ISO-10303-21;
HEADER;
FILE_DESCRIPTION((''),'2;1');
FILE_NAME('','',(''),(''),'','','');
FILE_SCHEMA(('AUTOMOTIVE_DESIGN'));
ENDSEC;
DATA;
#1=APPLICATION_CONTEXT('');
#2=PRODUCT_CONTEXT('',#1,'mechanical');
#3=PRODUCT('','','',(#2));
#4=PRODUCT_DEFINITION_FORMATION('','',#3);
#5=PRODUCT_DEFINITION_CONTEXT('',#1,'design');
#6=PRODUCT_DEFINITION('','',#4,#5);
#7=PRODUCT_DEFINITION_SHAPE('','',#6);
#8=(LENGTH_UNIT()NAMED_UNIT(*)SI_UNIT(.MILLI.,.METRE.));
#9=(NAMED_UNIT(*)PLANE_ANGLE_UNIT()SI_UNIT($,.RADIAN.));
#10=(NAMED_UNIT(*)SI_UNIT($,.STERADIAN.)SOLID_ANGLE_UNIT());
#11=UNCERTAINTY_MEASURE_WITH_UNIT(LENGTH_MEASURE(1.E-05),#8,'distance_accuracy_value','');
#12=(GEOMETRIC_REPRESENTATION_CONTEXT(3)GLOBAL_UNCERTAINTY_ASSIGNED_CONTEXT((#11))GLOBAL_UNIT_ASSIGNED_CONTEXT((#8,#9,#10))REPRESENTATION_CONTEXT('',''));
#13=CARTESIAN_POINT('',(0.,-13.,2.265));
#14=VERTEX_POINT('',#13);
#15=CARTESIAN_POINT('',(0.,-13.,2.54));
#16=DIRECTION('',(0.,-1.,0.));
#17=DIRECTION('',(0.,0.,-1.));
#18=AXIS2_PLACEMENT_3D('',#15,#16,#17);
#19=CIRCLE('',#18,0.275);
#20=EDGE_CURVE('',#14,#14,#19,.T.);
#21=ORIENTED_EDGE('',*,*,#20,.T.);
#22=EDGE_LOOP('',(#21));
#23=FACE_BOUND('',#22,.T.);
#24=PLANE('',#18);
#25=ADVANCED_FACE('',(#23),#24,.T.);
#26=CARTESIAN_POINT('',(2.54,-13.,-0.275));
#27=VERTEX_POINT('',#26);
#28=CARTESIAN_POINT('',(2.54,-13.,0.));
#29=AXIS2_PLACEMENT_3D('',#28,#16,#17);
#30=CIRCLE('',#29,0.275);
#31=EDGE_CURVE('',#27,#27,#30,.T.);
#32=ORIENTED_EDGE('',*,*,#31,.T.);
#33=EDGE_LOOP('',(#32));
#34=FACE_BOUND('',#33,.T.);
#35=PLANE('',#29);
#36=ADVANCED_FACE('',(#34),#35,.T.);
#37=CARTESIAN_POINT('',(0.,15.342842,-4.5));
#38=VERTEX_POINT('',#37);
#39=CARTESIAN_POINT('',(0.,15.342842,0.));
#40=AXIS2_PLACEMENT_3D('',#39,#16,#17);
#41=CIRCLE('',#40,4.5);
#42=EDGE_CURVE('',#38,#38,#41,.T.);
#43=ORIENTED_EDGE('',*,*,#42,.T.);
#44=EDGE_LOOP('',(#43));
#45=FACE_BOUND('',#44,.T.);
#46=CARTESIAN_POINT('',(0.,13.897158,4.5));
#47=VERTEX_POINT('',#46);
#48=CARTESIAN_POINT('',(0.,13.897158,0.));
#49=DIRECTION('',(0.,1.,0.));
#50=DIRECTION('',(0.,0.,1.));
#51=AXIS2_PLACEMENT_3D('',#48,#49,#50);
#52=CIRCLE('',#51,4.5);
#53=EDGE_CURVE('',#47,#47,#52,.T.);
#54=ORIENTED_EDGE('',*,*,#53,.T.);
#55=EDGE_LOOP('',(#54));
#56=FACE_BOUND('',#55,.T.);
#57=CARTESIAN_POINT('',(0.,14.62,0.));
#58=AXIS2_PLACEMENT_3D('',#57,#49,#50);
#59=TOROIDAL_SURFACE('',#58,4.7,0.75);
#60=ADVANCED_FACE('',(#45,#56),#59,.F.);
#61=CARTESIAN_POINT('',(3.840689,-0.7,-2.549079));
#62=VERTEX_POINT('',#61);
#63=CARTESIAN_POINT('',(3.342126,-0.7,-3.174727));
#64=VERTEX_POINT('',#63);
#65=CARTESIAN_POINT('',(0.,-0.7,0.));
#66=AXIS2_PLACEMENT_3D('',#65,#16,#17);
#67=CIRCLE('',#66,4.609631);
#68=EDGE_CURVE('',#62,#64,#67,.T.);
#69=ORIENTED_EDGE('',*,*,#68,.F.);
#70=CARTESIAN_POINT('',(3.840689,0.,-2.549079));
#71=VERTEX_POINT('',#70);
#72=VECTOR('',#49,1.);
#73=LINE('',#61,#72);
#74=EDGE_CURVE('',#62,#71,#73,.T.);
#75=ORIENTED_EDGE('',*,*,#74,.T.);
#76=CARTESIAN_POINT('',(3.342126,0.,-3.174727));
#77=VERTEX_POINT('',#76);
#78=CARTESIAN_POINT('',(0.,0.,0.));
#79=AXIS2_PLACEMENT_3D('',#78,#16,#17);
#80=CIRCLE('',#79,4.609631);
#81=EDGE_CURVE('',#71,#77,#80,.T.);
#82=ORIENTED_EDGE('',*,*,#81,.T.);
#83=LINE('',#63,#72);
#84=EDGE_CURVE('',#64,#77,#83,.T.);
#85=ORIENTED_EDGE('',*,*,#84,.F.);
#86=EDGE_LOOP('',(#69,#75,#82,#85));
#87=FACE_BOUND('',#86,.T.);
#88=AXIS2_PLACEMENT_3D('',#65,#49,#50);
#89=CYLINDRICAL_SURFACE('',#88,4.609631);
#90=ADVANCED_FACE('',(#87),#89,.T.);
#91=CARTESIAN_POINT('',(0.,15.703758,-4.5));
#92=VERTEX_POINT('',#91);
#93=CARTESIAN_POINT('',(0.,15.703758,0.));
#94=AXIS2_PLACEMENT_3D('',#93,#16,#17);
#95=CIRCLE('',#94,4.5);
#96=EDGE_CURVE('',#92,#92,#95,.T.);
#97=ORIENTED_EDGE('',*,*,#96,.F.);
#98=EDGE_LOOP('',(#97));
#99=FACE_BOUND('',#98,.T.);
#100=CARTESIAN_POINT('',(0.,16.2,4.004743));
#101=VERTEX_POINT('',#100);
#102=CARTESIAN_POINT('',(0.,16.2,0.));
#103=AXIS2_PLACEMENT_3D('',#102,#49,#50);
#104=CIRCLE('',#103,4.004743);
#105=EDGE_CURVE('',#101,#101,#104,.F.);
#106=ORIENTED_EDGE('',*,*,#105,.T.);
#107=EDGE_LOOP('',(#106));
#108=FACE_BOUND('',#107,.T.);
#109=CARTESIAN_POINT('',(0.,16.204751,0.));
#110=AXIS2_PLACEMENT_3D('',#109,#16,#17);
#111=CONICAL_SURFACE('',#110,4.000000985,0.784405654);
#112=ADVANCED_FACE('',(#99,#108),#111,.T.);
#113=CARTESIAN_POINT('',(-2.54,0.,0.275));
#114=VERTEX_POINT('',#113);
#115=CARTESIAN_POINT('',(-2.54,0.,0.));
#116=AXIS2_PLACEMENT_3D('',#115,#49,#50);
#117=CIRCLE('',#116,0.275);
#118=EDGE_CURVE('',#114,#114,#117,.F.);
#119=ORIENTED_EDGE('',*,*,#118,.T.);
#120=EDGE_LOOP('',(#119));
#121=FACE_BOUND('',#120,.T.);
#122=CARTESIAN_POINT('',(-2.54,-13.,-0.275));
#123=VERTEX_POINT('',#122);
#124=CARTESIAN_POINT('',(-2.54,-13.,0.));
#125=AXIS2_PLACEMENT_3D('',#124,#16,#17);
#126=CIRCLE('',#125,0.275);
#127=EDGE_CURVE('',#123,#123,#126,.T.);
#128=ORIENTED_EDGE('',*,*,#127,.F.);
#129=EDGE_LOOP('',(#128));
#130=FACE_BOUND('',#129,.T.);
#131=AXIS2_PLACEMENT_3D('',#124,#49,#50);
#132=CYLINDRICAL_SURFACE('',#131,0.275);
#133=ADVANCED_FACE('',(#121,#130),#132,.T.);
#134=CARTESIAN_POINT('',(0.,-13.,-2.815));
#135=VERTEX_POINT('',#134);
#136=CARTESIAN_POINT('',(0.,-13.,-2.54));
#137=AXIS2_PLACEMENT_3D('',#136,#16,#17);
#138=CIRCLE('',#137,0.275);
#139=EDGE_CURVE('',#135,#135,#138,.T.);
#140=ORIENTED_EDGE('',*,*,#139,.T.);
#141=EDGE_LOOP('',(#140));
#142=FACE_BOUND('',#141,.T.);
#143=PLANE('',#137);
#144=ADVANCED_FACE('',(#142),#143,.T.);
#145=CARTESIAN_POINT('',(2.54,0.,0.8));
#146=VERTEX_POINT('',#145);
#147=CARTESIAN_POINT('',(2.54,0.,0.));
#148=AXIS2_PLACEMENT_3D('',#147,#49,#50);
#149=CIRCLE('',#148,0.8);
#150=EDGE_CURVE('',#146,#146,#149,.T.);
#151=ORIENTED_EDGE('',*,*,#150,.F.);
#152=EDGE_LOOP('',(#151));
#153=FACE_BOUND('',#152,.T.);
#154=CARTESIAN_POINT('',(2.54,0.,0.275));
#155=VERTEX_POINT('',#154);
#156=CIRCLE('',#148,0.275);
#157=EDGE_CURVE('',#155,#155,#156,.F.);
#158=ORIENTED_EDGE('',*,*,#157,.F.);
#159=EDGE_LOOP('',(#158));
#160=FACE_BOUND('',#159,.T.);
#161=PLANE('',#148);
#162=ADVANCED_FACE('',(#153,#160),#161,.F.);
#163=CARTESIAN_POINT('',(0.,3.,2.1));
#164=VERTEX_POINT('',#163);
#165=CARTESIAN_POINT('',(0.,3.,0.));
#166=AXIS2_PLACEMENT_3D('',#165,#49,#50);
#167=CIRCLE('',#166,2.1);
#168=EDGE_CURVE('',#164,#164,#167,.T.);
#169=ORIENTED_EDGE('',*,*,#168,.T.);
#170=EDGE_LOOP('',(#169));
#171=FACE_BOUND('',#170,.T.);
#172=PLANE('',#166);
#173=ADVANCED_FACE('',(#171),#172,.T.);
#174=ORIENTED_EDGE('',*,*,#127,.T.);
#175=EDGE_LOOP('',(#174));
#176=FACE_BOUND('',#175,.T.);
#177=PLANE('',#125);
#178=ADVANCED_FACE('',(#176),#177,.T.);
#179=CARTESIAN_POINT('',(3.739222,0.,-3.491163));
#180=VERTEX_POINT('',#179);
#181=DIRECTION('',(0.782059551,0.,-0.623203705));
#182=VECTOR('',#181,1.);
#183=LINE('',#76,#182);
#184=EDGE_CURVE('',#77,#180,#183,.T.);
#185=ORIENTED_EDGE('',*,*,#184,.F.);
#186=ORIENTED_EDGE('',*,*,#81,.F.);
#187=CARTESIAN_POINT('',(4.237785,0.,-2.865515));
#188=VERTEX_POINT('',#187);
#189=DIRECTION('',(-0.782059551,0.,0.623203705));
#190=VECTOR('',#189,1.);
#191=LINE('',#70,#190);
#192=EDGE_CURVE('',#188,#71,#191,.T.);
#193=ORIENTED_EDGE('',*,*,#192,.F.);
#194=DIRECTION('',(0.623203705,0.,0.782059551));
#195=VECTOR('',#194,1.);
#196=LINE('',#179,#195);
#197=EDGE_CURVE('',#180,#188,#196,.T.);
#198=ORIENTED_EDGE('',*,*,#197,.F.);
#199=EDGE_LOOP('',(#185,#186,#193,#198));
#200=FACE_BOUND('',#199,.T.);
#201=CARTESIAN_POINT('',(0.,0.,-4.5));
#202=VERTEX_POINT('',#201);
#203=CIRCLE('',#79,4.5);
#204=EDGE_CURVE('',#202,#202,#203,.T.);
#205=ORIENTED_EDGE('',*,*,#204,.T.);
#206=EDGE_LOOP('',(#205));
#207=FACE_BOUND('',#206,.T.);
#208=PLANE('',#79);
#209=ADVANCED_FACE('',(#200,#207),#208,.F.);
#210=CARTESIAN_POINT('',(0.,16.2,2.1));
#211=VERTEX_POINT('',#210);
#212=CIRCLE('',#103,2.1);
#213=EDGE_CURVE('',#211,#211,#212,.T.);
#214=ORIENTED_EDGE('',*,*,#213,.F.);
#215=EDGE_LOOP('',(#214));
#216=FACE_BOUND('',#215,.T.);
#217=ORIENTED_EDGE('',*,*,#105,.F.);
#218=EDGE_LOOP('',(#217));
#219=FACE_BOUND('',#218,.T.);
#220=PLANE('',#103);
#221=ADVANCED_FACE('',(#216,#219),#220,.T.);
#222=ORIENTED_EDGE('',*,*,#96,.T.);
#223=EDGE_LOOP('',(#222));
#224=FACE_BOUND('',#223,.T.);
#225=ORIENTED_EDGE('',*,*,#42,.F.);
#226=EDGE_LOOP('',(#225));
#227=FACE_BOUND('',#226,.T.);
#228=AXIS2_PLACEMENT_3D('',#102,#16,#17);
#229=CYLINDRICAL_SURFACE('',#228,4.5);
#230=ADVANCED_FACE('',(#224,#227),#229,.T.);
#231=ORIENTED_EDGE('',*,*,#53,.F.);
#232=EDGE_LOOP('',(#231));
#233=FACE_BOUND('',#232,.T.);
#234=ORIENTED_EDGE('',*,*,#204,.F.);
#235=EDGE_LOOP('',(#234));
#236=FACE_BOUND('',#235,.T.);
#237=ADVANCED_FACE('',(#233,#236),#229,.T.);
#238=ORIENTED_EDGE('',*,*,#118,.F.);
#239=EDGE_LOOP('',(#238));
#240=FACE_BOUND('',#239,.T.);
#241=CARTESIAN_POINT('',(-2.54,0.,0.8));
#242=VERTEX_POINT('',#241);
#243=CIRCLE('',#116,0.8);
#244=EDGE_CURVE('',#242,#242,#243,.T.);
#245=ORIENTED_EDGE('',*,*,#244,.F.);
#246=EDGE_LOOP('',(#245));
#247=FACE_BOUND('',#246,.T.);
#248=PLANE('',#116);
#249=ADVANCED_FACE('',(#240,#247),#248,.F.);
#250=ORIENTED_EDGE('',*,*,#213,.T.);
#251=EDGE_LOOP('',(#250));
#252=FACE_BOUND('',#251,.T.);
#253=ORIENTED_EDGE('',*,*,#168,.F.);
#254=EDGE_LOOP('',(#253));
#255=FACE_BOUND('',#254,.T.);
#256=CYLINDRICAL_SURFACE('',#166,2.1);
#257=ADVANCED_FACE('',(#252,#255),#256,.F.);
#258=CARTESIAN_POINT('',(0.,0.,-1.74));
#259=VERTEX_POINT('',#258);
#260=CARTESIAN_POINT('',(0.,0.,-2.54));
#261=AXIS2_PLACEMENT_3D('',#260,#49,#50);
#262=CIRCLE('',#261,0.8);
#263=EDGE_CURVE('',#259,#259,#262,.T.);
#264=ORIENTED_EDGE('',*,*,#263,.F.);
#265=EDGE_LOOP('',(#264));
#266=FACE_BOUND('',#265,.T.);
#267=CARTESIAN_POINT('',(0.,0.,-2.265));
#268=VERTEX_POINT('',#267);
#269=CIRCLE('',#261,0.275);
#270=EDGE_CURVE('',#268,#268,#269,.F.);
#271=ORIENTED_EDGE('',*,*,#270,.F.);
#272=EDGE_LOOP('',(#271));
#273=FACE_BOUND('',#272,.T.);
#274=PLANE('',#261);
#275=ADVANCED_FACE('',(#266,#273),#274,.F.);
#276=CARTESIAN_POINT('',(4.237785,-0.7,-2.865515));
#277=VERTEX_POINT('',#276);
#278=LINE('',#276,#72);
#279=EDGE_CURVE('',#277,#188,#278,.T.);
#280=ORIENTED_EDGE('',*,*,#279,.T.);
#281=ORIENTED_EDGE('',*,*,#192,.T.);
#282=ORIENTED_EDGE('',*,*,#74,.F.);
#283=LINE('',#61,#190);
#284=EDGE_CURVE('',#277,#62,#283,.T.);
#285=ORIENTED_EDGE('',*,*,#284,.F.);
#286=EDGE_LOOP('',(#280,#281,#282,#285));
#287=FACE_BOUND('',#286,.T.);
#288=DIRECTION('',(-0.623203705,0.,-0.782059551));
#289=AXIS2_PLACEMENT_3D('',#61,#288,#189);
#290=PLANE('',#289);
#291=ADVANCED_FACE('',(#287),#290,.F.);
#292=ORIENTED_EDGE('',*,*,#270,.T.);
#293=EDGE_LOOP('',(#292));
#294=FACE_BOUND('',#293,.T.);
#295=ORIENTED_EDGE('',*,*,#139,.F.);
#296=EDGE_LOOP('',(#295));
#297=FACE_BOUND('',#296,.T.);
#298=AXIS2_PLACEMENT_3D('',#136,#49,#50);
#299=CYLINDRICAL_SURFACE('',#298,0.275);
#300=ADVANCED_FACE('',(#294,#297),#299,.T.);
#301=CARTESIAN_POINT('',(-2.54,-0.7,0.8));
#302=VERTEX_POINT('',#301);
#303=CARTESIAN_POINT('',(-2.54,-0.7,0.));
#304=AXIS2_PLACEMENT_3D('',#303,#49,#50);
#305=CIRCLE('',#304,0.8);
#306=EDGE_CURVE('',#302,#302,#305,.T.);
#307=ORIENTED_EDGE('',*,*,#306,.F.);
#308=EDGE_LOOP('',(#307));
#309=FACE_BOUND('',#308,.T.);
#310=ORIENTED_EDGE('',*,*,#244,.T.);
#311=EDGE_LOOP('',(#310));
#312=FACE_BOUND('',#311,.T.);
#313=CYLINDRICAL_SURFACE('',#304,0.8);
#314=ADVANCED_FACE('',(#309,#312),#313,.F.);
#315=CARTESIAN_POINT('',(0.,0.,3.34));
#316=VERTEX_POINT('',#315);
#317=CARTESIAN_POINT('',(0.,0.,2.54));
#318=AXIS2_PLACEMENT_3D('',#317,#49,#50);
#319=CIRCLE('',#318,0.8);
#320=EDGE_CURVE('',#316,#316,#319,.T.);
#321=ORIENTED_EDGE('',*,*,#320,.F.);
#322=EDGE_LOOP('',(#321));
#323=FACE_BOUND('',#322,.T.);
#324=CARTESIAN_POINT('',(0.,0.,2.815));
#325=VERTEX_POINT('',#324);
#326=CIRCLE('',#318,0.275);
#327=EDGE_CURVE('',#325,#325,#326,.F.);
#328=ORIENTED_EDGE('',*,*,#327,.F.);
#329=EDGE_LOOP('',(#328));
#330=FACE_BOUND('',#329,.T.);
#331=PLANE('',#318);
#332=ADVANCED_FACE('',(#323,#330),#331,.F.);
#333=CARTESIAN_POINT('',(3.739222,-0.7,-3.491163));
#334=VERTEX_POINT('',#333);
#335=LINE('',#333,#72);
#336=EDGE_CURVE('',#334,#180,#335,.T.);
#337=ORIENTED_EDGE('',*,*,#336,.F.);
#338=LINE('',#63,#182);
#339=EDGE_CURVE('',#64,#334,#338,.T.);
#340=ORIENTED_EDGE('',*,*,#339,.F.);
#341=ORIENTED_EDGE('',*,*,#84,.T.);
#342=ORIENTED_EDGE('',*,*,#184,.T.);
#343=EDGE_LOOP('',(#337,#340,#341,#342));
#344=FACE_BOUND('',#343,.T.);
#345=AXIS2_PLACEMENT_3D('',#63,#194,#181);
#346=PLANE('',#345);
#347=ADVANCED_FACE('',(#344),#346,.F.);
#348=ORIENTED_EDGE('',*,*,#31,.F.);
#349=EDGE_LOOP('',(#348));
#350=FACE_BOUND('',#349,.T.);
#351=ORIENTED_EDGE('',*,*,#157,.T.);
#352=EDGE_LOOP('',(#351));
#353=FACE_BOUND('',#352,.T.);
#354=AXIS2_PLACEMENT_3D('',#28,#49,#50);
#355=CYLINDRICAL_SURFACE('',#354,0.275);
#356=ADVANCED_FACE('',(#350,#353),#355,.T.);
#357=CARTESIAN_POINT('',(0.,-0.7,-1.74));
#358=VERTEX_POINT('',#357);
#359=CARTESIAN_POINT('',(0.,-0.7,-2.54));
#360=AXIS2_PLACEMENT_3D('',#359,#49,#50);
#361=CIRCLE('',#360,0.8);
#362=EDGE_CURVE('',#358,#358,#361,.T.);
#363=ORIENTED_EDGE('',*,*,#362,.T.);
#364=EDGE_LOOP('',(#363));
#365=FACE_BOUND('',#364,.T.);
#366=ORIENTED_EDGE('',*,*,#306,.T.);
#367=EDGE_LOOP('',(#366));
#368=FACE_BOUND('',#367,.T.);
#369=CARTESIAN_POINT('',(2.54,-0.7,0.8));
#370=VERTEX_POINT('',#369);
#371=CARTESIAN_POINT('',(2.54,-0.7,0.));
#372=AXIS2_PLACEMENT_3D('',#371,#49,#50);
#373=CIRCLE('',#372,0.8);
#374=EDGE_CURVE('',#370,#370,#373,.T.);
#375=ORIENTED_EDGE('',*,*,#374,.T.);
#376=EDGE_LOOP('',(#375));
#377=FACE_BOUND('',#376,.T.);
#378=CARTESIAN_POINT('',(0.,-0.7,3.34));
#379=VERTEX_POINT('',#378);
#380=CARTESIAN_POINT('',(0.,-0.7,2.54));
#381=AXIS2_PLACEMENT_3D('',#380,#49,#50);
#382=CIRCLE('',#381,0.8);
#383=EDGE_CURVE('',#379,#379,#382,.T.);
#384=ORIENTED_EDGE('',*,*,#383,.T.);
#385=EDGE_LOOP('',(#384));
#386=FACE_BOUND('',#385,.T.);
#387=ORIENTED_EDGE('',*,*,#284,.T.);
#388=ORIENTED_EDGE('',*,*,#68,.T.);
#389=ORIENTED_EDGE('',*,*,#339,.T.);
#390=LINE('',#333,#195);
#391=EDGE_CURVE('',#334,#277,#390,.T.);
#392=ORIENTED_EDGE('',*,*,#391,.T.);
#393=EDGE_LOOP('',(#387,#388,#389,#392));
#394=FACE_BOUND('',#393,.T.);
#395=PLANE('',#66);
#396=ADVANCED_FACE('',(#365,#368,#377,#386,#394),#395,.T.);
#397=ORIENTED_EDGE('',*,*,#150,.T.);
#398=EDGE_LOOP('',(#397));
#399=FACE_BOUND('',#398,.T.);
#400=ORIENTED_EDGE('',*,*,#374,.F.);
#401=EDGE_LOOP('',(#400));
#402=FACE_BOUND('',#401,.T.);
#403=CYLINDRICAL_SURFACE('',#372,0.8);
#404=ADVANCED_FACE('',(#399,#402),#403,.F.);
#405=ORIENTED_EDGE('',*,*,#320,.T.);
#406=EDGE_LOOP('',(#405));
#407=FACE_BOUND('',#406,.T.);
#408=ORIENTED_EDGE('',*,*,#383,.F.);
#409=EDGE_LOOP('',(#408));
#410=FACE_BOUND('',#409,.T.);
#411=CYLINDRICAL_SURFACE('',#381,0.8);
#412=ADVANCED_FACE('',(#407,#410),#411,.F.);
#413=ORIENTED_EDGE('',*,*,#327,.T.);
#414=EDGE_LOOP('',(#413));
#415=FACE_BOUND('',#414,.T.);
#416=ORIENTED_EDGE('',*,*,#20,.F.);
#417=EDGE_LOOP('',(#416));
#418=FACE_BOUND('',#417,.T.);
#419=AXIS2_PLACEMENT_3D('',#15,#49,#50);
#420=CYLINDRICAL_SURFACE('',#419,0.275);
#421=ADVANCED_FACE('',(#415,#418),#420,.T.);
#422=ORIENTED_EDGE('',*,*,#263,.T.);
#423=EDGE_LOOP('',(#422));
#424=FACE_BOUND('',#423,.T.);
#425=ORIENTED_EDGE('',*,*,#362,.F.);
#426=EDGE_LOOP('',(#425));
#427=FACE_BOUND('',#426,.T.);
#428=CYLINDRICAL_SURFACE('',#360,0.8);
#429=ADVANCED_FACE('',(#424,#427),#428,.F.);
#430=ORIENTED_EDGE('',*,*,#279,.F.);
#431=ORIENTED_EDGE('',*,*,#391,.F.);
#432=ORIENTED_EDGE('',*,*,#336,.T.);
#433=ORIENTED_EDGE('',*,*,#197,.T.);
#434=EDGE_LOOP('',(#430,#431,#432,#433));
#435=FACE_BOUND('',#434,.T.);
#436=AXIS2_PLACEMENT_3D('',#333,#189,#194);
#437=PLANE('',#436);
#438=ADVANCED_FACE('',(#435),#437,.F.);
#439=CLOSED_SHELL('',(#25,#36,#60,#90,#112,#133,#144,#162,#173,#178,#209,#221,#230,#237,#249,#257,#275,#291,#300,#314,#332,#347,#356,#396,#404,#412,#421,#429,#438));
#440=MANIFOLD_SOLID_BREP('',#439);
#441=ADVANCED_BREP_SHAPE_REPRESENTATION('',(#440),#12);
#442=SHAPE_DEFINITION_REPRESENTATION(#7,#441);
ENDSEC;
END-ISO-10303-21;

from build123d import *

# Parameters (mm, degrees)
ESBO_O2_R                = 4.5
RESSALTO_EXTRUS_O1_DEPTH = 16.2
ESBO_O3_R                = 2.1
CORTE_EXTRUS_O2_DEPTH    = 13.2
ESBO_O5_R                = 0.75
RESSALTO_EXTRUS_O2_DEPTH = 0.7
ESBO_O11_R               = 0.8
CORTE_EXTRUS_O3_DEPTH    = 0.7
ESBO_O8_R                = 0.275
RESSALTO_EXTRUS_O3_DEPTH = 13


with BuildPart() as part:
    # Esboço2 → Ressalto-extrusão1 (new body)
    with BuildSketch(Plane(origin=(0, 0, 0), x_dir=(1, 0, 0), z_dir=(0, 1, 0))):
        with Locations(Location((0, 0, 0), (0, 0, 270))):
            Circle(ESBO_O2_R)
    extrude(amount=RESSALTO_EXTRUS_O1_DEPTH)

    # Esboço3 → Corte-extrusão2 (cut)
    with BuildSketch(Plane(origin=(0, 16.2, 0), x_dir=(1, 0, 0), z_dir=(0, 1, 0))):
        with Locations(Location((0, 0, 0), (0, 0, 270))):
            Circle(ESBO_O3_R)
    extrude(amount=-CORTE_EXTRUS_O2_DEPTH, mode=Mode.SUBTRACT)

    # Esboço5 → Corte-Revolução1 (revolve, cut)
    with BuildSketch(Plane(origin=(0, 0, 0), x_dir=(0, 0, -1), z_dir=(1, 0, 0)), mode=Mode.PRIVATE) as corte_revolu_o1_sk:
        with Locations((4.7, 14.62)):
            Circle(ESBO_O5_R)
    revolve(corte_revolu_o1_sk.sketch.rotate(Axis((0, 16.2, 0), (0, -1, 0)), 180), axis=Axis((0, 16.2, 0), (0, -1, 0)), mode=Mode.SUBTRACT)

    # Esboço12 → Ressalto-extrusão2 (add)
    with BuildSketch(Plane.XZ):
        with BuildLine():
            Line((3.342126206, -3.174726822), (3.73922223, -3.491162716))
            Line((3.73922223, -3.491162716), (4.237785194, -2.865515075))
            Line((4.237785194, -2.865515075), (3.84068917, -2.549079181))
            ThreePointArc((3.84068917, -2.549079181), (-3.605005954, 2.87273912), (3.342126206, -3.174726822))
        make_face()
    extrude(amount=RESSALTO_EXTRUS_O2_DEPTH)

    # Esboço11 → Corte-extrusão3 (cut)
    with BuildSketch(Plane(origin=(0, 0, 0), x_dir=(1, 0, 0), z_dir=(0, 1, 0))):
        with Locations(Location((2.54, 0, 0), (0, 0, 270))):
            Circle(ESBO_O11_R)
        with Locations(Location((0, -2.54, 0), (0, 0, 270))):
            Circle(ESBO_O11_R)
        with Locations(Location((-2.54, 0, 0), (0, 0, 270))):
            Circle(ESBO_O11_R)
        with Locations(Location((0, 2.54, 0), (0, 0, 270))):
            Circle(ESBO_O11_R)
    extrude(amount=-CORTE_EXTRUS_O3_DEPTH, mode=Mode.SUBTRACT)

    # Esboço8 → Ressalto-extrusão3 (add)
    with BuildSketch(Plane(origin=(0, 0, 0), x_dir=(-1, 0, 0), z_dir=(0, -1, 0))):
        with Locations(Location((-2.54, 0, 0), (0, 0, 270))):
            Circle(ESBO_O8_R)
        with Locations(Location((0, 2.54, 0), (0, 0, 270))):
            Circle(ESBO_O8_R)
        with Locations(Location((2.54, 0, 0), (0, 0, 270))):
            Circle(ESBO_O8_R)
        with Locations(Location((0, -2.54, 0), (0, 0, 270))):
            Circle(ESBO_O8_R)
    extrude(amount=RESSALTO_EXTRUS_O3_DEPTH)

    # Esboço15 → Corte-Revolução2 (revolve, cut)
    with BuildSketch(Plane(origin=(0, 0, 0), x_dir=(0, 0, -1), z_dir=(1, 0, 0))):
        Polygon((4.5, 16.20375847), (4.5, 15.70375847), (4.000000985, 16.204750978), align=None)
    revolve(axis=Axis((0, 16.204750978, 0), (0, 1, 0)), mode=Mode.SUBTRACT)


solid = part.part
